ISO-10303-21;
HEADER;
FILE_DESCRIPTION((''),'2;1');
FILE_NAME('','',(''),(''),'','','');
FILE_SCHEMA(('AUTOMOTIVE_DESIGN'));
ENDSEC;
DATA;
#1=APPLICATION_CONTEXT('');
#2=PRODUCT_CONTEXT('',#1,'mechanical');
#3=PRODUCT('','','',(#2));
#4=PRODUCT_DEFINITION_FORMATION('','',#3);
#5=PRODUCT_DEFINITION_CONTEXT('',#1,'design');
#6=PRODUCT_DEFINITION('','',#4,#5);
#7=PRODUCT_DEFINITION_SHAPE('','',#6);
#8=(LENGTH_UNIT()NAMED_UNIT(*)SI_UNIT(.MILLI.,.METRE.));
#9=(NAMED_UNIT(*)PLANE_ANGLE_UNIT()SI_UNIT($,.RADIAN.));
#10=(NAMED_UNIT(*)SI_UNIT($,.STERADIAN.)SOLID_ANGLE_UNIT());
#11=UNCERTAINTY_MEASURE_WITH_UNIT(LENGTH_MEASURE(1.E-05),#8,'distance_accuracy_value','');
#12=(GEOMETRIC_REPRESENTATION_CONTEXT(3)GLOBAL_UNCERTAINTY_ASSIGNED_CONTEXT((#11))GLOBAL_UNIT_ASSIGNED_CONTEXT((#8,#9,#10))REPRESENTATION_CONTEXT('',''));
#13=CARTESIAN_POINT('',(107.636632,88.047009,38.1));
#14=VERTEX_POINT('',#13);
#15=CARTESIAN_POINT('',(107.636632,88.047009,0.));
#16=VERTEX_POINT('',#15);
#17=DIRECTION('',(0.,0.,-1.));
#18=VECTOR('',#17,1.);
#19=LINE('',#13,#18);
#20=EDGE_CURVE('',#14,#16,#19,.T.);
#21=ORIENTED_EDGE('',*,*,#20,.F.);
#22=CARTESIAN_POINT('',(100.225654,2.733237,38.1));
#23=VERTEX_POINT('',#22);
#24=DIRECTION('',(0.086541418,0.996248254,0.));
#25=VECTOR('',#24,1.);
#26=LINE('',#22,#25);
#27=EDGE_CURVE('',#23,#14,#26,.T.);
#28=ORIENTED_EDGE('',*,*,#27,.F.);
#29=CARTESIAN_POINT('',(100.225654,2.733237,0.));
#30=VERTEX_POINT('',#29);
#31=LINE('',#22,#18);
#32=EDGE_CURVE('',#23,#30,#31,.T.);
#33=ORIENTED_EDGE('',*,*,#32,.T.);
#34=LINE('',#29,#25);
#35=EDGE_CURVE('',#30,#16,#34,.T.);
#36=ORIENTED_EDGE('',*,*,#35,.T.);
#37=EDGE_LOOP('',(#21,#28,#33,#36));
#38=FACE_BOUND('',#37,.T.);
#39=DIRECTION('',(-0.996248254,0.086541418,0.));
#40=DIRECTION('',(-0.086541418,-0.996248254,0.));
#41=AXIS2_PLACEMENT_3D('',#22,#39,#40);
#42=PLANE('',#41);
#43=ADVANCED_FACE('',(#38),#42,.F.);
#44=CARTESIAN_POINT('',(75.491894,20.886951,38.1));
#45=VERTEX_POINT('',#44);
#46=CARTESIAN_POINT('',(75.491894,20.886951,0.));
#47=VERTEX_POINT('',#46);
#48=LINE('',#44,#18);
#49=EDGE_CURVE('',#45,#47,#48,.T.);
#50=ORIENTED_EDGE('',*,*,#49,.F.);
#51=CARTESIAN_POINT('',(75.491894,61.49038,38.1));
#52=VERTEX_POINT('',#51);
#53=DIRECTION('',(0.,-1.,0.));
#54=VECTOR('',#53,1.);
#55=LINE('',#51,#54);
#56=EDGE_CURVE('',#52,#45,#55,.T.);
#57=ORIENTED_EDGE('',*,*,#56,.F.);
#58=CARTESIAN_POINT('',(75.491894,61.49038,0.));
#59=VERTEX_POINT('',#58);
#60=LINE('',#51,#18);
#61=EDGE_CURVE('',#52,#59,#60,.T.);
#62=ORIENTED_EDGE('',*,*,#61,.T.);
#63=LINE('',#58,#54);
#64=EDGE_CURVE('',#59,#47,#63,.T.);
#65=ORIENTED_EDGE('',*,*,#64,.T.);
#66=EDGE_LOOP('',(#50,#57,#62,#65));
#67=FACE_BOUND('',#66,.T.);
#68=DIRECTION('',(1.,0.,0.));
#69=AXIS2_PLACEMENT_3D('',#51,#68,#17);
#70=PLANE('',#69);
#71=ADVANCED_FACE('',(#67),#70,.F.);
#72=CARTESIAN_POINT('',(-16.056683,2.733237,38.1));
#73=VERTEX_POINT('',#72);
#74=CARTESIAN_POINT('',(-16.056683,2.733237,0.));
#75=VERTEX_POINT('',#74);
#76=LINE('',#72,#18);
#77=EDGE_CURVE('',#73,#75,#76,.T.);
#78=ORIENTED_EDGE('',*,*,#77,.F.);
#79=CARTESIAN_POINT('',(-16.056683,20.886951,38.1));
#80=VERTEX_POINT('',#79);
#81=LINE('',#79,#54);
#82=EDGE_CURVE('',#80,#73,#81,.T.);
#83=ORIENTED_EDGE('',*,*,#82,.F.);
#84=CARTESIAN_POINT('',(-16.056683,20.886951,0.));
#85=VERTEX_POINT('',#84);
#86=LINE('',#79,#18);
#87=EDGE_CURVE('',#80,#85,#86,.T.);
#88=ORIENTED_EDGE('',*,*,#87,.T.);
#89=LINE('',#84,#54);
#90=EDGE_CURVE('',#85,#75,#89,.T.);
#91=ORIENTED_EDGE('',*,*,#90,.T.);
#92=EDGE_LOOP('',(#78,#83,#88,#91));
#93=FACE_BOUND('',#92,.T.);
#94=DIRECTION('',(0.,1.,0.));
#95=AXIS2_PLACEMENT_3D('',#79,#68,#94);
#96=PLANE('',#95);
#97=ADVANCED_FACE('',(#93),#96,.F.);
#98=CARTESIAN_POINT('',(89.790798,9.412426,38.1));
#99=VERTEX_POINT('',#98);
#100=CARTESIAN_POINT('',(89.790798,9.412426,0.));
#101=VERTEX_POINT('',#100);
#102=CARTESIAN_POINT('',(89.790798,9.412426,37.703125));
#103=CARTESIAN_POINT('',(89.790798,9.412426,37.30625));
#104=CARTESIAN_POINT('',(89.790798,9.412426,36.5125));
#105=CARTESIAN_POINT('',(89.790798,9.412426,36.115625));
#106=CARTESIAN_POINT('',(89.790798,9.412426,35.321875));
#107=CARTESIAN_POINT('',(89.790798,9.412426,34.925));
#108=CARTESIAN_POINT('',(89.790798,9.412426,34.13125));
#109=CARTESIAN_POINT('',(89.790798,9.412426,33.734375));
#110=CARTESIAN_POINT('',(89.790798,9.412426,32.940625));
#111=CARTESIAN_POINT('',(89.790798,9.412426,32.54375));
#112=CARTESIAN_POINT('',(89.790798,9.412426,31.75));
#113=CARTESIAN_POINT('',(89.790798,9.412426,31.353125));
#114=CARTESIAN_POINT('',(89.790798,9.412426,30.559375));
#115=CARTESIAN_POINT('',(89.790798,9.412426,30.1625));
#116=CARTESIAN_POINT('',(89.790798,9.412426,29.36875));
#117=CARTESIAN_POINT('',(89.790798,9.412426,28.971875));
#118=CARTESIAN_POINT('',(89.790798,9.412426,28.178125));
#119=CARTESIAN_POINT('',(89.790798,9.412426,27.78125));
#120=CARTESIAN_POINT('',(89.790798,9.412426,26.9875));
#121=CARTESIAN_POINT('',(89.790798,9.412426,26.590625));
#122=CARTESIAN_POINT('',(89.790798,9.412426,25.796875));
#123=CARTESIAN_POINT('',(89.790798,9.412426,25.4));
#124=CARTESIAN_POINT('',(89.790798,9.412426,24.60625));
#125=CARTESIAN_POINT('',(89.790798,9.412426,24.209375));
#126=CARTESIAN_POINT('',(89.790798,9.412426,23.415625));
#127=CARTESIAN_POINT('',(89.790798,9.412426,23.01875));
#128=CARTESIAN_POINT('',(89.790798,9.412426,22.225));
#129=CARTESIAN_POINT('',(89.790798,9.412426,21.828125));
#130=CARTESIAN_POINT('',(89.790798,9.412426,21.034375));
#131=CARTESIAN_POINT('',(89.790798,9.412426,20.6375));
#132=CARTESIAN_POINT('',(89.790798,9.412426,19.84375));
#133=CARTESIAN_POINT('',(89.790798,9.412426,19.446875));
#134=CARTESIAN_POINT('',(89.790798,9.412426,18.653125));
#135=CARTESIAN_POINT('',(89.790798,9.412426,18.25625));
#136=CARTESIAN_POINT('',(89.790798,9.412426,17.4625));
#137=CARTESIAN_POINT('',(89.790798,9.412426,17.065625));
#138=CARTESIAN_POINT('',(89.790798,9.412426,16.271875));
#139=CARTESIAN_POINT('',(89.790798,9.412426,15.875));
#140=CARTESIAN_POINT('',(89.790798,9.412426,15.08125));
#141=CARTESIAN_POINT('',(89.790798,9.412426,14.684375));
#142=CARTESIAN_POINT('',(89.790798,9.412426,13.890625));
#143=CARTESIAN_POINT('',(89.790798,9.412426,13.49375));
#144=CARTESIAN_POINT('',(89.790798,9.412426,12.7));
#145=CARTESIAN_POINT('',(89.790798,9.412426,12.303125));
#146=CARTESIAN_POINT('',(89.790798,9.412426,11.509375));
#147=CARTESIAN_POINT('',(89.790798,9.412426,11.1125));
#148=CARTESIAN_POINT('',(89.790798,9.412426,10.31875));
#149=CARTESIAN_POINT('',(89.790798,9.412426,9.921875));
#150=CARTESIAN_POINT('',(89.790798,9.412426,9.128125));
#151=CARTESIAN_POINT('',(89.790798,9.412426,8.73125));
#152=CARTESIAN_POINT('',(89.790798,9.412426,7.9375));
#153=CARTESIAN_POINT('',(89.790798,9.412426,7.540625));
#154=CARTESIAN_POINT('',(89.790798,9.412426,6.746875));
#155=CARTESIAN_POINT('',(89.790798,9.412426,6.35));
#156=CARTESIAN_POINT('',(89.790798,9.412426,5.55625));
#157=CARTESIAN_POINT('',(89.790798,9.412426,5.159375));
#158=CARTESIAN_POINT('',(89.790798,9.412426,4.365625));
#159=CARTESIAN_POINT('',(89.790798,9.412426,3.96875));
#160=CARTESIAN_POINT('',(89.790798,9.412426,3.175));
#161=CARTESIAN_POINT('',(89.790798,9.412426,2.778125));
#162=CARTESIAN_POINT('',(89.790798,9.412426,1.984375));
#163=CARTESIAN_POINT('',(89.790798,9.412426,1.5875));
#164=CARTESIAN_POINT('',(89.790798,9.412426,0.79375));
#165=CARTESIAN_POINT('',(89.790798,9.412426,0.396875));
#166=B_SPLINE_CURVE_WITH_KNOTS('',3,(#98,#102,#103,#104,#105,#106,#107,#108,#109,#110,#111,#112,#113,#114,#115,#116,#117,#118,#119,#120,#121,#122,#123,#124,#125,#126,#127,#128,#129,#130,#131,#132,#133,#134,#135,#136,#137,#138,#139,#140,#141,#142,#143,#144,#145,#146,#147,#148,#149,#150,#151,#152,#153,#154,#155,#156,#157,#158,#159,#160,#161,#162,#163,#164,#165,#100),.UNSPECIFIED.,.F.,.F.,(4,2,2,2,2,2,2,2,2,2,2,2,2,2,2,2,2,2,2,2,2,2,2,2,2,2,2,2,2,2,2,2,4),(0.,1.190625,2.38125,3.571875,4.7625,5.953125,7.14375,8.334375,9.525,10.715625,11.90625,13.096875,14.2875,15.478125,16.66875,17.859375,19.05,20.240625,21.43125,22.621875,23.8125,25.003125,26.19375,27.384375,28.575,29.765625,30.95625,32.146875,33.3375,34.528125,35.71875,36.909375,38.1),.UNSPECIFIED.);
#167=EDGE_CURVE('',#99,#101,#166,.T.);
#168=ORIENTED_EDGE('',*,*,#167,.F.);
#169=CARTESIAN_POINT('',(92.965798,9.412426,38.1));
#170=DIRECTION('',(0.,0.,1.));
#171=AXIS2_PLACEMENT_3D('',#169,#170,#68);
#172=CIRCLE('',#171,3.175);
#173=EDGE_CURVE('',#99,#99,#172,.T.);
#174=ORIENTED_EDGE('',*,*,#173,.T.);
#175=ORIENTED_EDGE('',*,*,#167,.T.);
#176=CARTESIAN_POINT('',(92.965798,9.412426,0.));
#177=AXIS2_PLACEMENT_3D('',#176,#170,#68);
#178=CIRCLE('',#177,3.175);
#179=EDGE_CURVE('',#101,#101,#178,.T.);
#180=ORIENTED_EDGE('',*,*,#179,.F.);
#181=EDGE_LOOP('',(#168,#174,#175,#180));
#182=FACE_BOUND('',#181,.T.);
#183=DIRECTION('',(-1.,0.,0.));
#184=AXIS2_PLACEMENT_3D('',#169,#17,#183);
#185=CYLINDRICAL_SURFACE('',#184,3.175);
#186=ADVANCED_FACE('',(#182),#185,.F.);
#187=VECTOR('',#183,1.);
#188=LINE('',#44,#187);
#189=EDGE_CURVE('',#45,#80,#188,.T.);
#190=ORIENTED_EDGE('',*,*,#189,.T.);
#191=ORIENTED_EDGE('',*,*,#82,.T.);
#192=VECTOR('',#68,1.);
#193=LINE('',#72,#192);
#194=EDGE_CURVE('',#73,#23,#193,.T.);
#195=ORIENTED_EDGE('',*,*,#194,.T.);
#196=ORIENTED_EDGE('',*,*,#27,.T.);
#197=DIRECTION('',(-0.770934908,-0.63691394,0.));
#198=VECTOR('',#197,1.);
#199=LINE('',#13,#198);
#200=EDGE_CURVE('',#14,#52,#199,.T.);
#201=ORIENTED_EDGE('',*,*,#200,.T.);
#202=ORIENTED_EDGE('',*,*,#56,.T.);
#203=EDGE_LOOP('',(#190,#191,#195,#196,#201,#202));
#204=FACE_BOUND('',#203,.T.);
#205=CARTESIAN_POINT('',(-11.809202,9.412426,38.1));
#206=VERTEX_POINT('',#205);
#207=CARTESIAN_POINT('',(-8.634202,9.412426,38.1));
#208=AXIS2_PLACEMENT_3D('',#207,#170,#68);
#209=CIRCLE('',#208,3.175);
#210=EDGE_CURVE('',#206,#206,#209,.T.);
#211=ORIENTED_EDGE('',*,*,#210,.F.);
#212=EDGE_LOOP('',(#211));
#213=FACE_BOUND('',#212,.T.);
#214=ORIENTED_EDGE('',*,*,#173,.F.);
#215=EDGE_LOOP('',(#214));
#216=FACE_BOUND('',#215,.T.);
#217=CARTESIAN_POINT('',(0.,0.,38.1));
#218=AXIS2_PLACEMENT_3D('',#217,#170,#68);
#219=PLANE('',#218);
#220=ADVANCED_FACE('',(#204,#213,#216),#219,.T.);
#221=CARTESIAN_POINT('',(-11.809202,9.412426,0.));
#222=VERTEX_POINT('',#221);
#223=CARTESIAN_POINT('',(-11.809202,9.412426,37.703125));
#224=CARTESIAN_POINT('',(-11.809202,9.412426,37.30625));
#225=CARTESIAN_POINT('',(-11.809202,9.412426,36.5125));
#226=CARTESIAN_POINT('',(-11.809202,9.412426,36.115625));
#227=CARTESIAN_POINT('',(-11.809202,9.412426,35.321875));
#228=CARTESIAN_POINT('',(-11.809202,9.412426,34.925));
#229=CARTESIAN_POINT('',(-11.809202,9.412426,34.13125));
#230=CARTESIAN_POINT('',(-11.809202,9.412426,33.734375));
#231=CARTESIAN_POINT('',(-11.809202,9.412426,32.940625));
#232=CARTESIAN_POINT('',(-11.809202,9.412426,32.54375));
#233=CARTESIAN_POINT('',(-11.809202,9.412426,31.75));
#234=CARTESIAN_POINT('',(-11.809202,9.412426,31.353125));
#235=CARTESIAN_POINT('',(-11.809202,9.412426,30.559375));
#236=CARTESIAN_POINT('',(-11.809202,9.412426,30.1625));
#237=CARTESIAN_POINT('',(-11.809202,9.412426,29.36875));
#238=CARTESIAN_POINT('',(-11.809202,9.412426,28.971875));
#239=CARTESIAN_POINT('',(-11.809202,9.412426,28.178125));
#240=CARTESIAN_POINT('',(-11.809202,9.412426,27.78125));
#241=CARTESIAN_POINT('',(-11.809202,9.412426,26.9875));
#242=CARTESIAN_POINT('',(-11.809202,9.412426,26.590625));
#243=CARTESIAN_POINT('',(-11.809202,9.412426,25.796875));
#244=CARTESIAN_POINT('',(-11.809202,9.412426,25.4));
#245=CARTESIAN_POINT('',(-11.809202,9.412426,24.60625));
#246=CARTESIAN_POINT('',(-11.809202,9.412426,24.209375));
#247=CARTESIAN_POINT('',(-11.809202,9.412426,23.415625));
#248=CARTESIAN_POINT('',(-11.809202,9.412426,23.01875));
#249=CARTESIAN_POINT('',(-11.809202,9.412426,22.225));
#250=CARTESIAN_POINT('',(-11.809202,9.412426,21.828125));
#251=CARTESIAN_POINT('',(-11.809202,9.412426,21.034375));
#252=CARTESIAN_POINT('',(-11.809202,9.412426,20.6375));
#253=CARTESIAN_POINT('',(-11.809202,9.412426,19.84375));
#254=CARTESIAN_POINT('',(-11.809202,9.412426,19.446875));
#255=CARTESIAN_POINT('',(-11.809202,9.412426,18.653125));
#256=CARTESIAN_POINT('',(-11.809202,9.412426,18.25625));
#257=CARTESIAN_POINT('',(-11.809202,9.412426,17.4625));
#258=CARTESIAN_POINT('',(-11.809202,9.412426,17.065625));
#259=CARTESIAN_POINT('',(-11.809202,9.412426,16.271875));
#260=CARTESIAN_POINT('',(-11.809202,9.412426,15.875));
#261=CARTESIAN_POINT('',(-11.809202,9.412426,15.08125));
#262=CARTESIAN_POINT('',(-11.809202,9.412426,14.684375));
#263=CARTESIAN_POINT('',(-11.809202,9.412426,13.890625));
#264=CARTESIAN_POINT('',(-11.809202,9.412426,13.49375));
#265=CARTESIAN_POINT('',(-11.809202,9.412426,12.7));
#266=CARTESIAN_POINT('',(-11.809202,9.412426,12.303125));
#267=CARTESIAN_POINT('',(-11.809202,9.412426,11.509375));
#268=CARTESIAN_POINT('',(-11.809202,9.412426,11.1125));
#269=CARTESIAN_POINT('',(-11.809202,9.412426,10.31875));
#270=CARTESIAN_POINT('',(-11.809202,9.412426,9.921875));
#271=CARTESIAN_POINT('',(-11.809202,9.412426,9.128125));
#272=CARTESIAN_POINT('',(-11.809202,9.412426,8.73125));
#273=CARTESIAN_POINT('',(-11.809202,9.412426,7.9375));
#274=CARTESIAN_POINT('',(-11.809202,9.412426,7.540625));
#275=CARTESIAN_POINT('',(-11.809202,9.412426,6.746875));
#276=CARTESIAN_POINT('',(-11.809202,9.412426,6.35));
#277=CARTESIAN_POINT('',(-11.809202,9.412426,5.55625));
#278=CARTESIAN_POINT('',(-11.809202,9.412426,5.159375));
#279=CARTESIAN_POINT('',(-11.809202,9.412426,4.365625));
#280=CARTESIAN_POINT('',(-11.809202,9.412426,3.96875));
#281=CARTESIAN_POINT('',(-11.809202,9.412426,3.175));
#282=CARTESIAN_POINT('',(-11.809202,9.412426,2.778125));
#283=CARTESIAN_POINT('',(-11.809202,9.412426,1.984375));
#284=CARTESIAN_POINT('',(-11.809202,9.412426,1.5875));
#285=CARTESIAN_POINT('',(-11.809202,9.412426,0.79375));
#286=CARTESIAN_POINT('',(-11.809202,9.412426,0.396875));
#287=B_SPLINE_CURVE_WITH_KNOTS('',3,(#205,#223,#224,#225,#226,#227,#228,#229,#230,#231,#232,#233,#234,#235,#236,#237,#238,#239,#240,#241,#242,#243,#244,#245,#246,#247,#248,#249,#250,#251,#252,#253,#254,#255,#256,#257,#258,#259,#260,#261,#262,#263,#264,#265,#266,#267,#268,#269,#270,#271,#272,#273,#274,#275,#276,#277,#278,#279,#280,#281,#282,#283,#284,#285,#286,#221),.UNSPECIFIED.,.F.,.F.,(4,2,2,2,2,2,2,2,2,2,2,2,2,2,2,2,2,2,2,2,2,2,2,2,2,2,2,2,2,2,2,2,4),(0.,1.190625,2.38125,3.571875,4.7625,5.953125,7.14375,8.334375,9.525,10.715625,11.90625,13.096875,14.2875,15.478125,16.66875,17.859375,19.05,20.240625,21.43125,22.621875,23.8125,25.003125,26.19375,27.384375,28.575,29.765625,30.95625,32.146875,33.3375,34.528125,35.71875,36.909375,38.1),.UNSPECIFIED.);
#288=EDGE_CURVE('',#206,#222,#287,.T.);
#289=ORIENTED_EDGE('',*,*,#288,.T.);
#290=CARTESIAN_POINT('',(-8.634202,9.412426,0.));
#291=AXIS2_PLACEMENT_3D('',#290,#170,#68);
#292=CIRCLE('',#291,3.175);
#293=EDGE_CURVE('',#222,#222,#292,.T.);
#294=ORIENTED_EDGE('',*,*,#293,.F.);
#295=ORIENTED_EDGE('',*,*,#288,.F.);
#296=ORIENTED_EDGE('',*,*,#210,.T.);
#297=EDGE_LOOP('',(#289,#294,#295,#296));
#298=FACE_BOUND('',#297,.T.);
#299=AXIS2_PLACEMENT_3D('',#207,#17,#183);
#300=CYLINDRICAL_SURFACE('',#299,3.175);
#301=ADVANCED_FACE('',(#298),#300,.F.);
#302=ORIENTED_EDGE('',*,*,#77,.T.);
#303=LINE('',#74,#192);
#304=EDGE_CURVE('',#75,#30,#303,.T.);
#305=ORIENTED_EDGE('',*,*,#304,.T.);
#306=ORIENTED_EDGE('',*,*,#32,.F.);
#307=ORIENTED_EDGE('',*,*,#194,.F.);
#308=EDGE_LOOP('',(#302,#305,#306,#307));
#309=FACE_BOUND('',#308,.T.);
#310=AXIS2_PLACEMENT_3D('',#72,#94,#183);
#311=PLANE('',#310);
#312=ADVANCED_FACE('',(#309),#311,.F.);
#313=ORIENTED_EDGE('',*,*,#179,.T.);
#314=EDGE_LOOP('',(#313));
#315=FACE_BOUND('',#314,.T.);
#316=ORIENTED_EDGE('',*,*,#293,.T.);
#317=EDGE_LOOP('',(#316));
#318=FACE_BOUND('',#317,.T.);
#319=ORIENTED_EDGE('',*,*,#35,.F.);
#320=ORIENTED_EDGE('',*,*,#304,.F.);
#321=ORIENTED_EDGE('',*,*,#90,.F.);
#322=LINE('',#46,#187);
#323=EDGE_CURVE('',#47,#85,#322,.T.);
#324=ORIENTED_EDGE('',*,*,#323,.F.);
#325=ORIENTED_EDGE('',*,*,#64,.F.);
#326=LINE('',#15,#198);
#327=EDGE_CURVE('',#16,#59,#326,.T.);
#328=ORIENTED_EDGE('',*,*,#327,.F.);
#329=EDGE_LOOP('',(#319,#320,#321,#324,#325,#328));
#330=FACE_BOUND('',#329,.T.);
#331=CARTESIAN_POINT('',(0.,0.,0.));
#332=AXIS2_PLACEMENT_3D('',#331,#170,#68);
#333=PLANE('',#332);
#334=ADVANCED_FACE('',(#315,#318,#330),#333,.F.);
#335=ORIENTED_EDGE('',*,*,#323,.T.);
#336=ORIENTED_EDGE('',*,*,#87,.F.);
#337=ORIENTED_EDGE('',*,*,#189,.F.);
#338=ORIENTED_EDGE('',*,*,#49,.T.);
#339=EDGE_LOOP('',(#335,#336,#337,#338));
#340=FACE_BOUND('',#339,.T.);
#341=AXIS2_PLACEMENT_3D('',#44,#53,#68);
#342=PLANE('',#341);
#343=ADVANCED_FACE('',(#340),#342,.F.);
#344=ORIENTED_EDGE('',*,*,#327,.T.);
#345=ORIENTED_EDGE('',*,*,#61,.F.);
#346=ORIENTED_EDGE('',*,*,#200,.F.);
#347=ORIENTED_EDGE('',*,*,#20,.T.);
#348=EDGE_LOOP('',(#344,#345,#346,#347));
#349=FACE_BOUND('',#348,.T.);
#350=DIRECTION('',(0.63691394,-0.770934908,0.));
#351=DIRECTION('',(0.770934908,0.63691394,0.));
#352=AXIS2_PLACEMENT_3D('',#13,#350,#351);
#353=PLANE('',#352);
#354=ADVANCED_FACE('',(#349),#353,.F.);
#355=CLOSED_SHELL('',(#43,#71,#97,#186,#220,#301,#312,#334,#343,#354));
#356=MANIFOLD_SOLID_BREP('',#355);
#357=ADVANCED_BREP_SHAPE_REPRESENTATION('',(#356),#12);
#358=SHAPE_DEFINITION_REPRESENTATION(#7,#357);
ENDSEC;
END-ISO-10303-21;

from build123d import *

# Parameters (mm, degrees)
SKETCH1_R           = 3.175
BOSS_EXTRUDE1_DEPTH = 38.1


with BuildPart() as part:
    # Sketch1 → Boss-Extrude1 (new body)
    with BuildSketch(Plane.XY):
        Polygon((-16.056683457, 2.733236781), (100.225653504, 2.733236781), (107.63663241, 88.047008638), (75.491893593, 61.490379753), (75.491893593, 20.88695082), (-16.056683457, 20.88695082), align=None)
        with Locations(Location((-8.634202411, 9.412425764, 0), (0, 0, 180))):
            Circle(SKETCH1_R, mode=Mode.SUBTRACT)
        with Locations(Location((92.965797589, 9.412425764, 0), (0, 0, 180))):
            Circle(SKETCH1_R, mode=Mode.SUBTRACT)
    extrude(amount=BOSS_EXTRUDE1_DEPTH)


solid = part.part
